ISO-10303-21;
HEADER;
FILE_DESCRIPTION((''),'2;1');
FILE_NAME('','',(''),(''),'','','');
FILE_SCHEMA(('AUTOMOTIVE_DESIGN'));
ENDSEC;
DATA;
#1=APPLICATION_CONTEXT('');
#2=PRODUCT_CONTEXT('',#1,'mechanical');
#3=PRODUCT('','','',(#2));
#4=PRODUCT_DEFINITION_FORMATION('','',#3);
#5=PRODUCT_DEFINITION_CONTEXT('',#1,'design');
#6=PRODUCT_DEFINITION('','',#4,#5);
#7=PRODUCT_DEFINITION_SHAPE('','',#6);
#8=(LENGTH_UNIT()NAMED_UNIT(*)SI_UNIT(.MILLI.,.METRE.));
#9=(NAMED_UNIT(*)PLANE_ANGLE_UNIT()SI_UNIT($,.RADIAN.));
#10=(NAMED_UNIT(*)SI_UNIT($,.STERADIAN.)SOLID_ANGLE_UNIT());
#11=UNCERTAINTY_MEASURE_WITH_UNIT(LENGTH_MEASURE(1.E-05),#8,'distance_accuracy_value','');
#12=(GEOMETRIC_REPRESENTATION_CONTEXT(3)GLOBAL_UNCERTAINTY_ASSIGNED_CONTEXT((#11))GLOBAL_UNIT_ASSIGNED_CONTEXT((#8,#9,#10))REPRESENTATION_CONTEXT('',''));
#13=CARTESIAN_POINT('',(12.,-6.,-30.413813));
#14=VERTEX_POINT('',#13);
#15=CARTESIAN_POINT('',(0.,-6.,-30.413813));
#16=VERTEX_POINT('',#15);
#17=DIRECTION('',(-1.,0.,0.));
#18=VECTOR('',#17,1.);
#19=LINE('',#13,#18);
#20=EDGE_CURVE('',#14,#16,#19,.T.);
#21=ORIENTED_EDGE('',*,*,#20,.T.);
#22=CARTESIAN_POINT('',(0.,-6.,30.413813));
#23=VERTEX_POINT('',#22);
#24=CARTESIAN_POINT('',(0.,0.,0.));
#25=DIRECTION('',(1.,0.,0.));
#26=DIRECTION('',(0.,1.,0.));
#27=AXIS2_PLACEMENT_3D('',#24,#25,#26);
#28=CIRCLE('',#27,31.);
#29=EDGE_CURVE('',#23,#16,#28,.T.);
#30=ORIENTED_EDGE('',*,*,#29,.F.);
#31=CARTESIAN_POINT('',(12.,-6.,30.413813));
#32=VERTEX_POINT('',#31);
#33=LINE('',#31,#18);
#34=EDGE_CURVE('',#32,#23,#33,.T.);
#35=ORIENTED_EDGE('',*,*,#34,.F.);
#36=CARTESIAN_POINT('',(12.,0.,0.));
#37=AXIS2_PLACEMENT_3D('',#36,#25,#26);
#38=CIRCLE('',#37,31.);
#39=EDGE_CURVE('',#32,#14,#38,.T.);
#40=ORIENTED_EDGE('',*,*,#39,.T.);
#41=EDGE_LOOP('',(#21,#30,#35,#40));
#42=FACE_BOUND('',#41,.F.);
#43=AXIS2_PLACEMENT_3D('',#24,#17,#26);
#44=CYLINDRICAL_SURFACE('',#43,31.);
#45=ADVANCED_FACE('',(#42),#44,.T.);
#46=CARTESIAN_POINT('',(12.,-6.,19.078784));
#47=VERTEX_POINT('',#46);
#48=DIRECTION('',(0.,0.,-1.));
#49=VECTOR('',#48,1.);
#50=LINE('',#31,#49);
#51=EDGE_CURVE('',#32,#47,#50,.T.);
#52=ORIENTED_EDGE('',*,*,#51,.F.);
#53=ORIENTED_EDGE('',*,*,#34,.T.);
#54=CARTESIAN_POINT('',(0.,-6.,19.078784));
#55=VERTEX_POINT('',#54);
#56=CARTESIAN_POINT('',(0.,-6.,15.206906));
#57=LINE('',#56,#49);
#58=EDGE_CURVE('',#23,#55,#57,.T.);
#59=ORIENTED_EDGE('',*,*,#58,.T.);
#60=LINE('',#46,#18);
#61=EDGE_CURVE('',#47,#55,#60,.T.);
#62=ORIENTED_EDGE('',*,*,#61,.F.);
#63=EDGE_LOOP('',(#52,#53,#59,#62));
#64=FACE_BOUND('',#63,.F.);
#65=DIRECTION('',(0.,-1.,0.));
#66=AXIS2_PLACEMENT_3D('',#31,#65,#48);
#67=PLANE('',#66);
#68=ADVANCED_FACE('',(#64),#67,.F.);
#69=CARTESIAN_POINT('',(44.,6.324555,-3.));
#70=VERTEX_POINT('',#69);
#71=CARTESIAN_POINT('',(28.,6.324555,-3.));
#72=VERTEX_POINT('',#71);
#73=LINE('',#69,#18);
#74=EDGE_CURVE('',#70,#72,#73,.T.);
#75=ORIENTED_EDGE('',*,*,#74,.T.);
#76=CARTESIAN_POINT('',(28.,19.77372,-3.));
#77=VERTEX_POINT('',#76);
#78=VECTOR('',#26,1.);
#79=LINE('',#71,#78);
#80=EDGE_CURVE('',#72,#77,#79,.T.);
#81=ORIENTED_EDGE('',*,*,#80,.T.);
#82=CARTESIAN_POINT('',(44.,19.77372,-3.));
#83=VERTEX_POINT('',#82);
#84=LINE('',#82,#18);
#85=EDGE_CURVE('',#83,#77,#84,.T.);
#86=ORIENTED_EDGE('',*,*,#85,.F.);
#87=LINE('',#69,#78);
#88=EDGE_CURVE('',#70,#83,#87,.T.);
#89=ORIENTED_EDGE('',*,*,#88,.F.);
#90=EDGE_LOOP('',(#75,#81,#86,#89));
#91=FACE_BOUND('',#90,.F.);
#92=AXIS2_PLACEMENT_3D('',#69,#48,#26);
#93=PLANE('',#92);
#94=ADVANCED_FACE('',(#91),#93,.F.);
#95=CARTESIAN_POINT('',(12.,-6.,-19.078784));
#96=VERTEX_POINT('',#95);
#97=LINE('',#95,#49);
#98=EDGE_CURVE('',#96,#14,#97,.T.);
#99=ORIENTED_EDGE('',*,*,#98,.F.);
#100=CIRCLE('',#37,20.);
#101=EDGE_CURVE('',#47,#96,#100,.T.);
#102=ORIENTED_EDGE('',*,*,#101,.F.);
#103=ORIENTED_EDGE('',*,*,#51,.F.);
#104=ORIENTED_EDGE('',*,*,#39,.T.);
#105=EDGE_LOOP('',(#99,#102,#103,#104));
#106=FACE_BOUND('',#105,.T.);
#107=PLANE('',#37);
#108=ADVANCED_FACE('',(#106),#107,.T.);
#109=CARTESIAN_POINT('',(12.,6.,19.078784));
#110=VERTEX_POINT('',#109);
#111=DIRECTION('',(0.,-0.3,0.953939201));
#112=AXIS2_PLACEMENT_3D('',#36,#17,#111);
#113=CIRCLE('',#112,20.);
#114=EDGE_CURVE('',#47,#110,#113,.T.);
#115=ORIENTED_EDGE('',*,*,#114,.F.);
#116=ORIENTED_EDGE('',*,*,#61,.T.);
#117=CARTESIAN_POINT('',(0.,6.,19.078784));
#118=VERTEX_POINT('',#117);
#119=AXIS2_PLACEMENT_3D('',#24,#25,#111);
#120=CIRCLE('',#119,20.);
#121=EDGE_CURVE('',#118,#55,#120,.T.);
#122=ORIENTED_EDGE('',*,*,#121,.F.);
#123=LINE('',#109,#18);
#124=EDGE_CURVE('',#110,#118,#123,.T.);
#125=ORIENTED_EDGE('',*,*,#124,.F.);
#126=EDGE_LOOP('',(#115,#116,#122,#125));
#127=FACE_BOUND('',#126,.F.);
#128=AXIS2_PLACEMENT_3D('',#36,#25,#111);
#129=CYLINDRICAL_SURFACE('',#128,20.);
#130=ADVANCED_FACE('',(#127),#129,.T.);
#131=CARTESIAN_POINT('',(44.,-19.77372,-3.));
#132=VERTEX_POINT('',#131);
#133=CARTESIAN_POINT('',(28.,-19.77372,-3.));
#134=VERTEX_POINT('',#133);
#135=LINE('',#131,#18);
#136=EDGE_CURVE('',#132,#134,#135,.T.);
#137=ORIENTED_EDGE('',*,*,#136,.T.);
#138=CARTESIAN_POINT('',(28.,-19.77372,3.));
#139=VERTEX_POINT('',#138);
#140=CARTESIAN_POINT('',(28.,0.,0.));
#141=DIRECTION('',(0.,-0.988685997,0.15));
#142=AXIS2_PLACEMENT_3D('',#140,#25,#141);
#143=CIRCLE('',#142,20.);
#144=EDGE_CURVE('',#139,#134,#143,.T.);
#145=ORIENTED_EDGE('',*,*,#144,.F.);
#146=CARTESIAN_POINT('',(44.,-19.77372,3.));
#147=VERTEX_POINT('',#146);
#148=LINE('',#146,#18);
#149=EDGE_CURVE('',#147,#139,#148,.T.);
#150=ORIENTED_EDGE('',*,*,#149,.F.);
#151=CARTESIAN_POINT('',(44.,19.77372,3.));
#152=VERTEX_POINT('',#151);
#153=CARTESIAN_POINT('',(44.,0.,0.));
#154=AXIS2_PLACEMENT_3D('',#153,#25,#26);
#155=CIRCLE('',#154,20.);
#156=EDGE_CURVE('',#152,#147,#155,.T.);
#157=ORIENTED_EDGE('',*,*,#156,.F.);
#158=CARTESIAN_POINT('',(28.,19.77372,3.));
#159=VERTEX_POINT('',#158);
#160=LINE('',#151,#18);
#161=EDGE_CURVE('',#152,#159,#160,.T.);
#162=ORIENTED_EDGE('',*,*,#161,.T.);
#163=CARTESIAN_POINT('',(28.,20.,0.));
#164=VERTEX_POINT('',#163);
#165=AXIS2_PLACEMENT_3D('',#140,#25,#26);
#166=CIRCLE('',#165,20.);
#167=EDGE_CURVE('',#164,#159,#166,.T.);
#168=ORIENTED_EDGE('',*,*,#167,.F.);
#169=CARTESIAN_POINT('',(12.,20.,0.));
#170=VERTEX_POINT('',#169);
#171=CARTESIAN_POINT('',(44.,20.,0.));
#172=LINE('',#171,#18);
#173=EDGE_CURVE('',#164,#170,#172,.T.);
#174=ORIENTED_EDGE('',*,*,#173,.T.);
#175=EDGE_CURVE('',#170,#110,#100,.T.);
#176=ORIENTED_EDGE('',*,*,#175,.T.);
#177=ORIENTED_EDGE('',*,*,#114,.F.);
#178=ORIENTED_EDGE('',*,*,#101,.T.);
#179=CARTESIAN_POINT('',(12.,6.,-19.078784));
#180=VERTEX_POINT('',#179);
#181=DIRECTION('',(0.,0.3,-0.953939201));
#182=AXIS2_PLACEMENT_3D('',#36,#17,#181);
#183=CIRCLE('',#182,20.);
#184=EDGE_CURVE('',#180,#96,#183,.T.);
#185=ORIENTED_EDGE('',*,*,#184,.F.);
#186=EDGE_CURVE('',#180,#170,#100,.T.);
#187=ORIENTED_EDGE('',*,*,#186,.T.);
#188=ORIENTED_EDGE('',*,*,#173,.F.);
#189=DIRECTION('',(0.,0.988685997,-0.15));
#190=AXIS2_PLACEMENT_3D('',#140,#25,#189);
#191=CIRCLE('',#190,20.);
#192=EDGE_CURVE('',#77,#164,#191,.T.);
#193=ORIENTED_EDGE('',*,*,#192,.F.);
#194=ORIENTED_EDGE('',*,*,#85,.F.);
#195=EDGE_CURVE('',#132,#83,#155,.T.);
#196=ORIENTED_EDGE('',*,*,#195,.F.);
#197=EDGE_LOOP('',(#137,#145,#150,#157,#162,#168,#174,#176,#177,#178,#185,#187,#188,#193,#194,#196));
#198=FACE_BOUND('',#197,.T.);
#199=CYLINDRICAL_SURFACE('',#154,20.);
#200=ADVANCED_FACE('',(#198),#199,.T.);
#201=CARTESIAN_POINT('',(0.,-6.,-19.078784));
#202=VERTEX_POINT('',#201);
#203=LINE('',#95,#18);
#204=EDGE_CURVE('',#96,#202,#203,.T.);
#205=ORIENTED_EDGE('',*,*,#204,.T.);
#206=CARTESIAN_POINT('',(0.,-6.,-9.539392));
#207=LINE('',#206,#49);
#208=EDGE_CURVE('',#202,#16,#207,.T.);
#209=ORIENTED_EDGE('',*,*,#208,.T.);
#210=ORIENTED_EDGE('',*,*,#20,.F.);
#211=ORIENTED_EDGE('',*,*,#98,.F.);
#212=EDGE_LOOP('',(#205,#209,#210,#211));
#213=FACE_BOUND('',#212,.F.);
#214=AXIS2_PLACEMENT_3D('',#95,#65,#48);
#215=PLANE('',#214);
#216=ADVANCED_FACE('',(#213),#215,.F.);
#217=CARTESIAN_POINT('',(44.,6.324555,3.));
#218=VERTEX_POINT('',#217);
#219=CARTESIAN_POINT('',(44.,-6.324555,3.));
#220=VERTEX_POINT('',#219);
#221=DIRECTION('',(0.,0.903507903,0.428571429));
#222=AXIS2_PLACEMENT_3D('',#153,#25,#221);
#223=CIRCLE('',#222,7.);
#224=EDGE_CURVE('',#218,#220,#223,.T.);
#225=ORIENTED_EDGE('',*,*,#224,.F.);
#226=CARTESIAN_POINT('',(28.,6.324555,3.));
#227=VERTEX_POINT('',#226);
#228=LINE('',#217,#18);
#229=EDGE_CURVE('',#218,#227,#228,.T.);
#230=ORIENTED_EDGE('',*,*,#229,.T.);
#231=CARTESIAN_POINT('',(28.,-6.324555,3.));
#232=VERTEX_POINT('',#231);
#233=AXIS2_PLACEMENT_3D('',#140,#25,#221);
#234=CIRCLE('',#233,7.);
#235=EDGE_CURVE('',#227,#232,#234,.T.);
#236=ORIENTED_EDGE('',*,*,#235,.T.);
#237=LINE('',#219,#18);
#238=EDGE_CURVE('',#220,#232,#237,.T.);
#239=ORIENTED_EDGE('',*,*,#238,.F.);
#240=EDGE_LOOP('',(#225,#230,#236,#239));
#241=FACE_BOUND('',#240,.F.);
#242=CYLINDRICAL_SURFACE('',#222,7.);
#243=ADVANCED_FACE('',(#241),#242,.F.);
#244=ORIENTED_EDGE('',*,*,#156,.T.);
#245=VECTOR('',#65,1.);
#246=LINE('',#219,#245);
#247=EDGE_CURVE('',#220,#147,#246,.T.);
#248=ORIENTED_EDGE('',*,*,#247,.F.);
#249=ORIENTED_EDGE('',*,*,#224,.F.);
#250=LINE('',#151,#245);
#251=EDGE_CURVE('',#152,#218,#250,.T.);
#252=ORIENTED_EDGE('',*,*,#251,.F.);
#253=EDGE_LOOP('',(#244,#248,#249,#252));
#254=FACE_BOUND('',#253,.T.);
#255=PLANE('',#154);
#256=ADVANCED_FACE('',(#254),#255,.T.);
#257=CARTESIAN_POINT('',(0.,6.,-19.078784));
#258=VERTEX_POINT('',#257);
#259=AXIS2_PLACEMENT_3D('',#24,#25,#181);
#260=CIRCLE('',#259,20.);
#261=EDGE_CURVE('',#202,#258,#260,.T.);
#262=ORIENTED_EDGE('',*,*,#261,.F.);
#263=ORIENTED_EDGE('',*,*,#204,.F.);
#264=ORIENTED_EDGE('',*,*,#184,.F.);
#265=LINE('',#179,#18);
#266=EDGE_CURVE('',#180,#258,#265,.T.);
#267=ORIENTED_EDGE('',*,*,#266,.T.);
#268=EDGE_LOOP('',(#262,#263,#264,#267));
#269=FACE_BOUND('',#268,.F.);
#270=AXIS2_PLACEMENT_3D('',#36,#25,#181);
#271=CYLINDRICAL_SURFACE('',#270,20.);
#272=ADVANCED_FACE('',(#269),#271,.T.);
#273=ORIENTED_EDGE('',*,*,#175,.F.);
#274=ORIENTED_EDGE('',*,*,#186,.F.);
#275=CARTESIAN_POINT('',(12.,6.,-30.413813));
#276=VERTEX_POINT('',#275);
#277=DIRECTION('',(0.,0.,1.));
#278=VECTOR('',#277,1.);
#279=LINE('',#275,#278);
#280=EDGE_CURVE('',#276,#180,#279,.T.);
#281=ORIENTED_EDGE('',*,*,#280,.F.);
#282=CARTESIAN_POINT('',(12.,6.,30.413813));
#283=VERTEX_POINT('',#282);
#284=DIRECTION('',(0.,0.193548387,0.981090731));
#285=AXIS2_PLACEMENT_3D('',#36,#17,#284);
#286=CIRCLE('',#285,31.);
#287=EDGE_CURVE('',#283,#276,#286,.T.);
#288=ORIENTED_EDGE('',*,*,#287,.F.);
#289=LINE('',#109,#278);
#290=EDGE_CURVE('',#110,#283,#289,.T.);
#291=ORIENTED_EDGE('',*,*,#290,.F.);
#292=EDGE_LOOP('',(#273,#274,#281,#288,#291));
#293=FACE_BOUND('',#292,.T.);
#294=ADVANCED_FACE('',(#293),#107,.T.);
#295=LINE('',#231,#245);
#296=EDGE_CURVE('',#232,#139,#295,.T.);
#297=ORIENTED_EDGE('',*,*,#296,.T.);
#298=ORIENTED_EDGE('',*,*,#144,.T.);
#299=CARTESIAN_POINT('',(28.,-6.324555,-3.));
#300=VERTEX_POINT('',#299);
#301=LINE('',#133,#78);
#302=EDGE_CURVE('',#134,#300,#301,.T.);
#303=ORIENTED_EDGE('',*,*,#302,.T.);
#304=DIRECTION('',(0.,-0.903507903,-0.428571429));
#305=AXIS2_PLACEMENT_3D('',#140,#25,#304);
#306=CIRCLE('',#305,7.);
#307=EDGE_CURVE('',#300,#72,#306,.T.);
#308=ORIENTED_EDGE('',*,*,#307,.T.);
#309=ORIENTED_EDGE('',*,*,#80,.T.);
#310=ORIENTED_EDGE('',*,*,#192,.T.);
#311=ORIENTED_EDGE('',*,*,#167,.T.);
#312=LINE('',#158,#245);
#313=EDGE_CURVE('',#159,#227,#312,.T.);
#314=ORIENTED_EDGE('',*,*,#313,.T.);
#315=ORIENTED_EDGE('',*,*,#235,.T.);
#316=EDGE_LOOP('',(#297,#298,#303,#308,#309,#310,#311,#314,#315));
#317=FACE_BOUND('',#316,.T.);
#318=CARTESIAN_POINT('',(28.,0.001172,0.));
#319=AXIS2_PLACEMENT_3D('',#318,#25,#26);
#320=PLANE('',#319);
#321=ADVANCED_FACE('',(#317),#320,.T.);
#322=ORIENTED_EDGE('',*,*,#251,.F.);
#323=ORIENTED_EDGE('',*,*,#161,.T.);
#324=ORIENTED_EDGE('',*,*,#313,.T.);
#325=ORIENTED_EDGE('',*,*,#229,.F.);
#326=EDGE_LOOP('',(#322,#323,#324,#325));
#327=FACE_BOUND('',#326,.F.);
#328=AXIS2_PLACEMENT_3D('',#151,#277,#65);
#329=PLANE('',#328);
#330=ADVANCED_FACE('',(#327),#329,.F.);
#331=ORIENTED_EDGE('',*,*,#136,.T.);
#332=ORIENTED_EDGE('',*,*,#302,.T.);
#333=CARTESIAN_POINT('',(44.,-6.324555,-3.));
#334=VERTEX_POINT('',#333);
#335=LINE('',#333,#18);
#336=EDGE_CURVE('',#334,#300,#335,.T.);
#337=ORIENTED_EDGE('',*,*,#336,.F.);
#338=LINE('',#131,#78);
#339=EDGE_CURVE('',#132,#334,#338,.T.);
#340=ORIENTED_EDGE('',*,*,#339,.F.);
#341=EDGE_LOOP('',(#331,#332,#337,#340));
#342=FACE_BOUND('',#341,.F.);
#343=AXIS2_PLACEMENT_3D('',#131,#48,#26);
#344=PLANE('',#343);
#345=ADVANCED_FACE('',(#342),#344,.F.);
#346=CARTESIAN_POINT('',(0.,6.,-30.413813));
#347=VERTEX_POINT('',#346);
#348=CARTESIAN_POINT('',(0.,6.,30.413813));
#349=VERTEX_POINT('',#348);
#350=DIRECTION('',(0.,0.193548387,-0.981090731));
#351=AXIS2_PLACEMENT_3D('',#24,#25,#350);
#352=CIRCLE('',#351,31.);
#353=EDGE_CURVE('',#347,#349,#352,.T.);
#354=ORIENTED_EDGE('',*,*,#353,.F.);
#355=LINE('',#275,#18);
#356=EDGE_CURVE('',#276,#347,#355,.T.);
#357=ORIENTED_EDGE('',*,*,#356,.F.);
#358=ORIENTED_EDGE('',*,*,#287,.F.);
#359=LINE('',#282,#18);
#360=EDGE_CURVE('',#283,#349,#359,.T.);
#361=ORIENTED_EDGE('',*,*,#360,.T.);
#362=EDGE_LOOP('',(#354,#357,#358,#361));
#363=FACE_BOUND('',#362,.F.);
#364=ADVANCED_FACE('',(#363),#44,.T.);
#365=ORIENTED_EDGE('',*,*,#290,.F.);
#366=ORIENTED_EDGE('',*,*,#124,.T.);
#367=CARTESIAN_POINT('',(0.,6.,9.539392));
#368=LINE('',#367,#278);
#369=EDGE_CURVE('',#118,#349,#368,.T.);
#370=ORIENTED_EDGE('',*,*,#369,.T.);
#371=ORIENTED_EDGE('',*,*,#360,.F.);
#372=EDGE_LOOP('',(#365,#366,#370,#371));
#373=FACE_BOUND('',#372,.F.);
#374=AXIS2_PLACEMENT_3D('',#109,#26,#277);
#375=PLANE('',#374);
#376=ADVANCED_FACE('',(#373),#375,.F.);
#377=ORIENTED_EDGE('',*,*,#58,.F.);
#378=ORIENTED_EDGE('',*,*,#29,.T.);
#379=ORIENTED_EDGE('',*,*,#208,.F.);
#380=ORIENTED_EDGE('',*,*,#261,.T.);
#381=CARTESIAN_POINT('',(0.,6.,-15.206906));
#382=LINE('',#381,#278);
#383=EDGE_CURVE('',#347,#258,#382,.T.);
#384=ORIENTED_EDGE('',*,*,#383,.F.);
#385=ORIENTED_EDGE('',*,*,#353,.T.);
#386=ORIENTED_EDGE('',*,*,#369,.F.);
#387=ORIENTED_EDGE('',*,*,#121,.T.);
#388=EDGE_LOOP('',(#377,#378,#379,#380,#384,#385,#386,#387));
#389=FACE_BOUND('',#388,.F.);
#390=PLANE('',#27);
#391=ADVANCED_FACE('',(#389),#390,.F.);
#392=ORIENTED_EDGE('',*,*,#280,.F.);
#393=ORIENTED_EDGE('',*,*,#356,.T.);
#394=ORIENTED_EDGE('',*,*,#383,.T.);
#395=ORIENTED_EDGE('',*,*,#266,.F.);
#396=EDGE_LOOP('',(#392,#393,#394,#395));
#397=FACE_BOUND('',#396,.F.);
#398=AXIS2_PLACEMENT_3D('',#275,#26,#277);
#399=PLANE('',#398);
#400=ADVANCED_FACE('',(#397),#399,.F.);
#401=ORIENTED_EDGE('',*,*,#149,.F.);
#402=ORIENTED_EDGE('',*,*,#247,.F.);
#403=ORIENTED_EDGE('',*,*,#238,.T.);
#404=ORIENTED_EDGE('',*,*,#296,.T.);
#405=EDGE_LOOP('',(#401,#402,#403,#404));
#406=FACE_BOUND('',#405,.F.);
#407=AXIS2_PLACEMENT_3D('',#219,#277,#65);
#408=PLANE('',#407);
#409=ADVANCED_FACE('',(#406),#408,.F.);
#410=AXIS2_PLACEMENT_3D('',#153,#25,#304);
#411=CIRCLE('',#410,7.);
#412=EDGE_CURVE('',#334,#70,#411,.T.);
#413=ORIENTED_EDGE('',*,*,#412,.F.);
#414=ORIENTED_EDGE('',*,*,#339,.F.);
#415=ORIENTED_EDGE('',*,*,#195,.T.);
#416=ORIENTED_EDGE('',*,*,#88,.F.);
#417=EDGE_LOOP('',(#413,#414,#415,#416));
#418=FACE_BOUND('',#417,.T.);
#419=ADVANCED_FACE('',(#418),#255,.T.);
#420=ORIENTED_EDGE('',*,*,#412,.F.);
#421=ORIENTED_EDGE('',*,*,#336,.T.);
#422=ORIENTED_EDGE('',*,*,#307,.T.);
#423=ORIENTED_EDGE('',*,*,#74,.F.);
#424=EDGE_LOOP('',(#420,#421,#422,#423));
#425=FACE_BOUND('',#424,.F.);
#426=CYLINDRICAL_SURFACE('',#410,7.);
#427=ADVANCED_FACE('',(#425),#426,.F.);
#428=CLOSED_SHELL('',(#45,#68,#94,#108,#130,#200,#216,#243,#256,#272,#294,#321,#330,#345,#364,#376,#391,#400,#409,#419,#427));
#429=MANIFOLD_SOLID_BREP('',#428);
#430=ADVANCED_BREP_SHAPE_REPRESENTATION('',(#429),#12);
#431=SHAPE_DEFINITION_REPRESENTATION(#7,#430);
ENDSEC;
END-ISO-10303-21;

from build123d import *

# Parameters (mm, degrees)
F0_R     = 31
F1_DEPTH = 44
F2_R     = 31
F2_R_2   = 20
F3_DEPTH = 32
F5_DEPTH = 25
F7_DEPTH = 16


with BuildPart() as f1:
    # F0 (on Right) → F1 (new body)
    with BuildSketch(Plane.YZ):
        Circle(F0_R)
    extrude(amount=F1_DEPTH)

    # F2 (on face) → F3 (cut)
    with BuildSketch(Plane.YZ.offset(44)):
        Circle(F2_R)
        Circle(F2_R_2, mode=Mode.SUBTRACT)
    extrude(amount=-F3_DEPTH, mode=Mode.SUBTRACT)

    # F4 (on face) → F5 (cut)
    with BuildSketch(Plane.YZ.offset(12)):
        with BuildLine():
            ThreePointArc((6, 30.4138126515), (0, 31), (-6, 30.4138126515))
            Line((-6, 30.4138126515), (-6, 19.0787840283))
            ThreePointArc((-6, 19.0787840283), (0, 20), (6, 19.0787840283))
            Line((6, 19.0787840283), (6, 30.4138126515))
        make_face()
        with BuildLine():
            Line((-6, -19.0787840283), (-6, -30.4138126515))
            ThreePointArc((-6, -30.4138126515), (0, -31), (6, -30.4138126515))
            Line((6, -30.4138126515), (6, -19.0787840283))
            ThreePointArc((6, -19.0787840283), (0, -20), (-6, -19.0787840283))
        make_face()
    extrude(amount=-F5_DEPTH, mode=Mode.SUBTRACT)

    # F6 (on face) → F7 (cut)
    with BuildSketch(Plane.YZ.offset(44)):
        with BuildLine():
            Line((-19.7737199333, -3), (-6.3245553203, -3))
            ThreePointArc((-6.3245553203, -3), (0, -7), (6.3245553203, -3))
            Line((6.3245553203, -3), (19.7737199333, -3))
            ThreePointArc((19.7737199333, -3), (19.9433497521, -1.5042608375), (20, 0))
            ThreePointArc((20, 0), (19.9433497521, 1.5042608375), (19.7737199333, 3))
            Line((19.7737199333, 3), (6.3245553203, 3))
            ThreePointArc((6.3245553203, 3), (0, 7), (-6.3245553203, 3))
            Line((-6.3245553203, 3), (-19.7737199333, 3))
            ThreePointArc((-19.7737199333, 3), (-20, 0), (-19.7737199333, -3))
        make_face()
    extrude(amount=-F7_DEPTH, mode=Mode.SUBTRACT)


solid = f1.part
